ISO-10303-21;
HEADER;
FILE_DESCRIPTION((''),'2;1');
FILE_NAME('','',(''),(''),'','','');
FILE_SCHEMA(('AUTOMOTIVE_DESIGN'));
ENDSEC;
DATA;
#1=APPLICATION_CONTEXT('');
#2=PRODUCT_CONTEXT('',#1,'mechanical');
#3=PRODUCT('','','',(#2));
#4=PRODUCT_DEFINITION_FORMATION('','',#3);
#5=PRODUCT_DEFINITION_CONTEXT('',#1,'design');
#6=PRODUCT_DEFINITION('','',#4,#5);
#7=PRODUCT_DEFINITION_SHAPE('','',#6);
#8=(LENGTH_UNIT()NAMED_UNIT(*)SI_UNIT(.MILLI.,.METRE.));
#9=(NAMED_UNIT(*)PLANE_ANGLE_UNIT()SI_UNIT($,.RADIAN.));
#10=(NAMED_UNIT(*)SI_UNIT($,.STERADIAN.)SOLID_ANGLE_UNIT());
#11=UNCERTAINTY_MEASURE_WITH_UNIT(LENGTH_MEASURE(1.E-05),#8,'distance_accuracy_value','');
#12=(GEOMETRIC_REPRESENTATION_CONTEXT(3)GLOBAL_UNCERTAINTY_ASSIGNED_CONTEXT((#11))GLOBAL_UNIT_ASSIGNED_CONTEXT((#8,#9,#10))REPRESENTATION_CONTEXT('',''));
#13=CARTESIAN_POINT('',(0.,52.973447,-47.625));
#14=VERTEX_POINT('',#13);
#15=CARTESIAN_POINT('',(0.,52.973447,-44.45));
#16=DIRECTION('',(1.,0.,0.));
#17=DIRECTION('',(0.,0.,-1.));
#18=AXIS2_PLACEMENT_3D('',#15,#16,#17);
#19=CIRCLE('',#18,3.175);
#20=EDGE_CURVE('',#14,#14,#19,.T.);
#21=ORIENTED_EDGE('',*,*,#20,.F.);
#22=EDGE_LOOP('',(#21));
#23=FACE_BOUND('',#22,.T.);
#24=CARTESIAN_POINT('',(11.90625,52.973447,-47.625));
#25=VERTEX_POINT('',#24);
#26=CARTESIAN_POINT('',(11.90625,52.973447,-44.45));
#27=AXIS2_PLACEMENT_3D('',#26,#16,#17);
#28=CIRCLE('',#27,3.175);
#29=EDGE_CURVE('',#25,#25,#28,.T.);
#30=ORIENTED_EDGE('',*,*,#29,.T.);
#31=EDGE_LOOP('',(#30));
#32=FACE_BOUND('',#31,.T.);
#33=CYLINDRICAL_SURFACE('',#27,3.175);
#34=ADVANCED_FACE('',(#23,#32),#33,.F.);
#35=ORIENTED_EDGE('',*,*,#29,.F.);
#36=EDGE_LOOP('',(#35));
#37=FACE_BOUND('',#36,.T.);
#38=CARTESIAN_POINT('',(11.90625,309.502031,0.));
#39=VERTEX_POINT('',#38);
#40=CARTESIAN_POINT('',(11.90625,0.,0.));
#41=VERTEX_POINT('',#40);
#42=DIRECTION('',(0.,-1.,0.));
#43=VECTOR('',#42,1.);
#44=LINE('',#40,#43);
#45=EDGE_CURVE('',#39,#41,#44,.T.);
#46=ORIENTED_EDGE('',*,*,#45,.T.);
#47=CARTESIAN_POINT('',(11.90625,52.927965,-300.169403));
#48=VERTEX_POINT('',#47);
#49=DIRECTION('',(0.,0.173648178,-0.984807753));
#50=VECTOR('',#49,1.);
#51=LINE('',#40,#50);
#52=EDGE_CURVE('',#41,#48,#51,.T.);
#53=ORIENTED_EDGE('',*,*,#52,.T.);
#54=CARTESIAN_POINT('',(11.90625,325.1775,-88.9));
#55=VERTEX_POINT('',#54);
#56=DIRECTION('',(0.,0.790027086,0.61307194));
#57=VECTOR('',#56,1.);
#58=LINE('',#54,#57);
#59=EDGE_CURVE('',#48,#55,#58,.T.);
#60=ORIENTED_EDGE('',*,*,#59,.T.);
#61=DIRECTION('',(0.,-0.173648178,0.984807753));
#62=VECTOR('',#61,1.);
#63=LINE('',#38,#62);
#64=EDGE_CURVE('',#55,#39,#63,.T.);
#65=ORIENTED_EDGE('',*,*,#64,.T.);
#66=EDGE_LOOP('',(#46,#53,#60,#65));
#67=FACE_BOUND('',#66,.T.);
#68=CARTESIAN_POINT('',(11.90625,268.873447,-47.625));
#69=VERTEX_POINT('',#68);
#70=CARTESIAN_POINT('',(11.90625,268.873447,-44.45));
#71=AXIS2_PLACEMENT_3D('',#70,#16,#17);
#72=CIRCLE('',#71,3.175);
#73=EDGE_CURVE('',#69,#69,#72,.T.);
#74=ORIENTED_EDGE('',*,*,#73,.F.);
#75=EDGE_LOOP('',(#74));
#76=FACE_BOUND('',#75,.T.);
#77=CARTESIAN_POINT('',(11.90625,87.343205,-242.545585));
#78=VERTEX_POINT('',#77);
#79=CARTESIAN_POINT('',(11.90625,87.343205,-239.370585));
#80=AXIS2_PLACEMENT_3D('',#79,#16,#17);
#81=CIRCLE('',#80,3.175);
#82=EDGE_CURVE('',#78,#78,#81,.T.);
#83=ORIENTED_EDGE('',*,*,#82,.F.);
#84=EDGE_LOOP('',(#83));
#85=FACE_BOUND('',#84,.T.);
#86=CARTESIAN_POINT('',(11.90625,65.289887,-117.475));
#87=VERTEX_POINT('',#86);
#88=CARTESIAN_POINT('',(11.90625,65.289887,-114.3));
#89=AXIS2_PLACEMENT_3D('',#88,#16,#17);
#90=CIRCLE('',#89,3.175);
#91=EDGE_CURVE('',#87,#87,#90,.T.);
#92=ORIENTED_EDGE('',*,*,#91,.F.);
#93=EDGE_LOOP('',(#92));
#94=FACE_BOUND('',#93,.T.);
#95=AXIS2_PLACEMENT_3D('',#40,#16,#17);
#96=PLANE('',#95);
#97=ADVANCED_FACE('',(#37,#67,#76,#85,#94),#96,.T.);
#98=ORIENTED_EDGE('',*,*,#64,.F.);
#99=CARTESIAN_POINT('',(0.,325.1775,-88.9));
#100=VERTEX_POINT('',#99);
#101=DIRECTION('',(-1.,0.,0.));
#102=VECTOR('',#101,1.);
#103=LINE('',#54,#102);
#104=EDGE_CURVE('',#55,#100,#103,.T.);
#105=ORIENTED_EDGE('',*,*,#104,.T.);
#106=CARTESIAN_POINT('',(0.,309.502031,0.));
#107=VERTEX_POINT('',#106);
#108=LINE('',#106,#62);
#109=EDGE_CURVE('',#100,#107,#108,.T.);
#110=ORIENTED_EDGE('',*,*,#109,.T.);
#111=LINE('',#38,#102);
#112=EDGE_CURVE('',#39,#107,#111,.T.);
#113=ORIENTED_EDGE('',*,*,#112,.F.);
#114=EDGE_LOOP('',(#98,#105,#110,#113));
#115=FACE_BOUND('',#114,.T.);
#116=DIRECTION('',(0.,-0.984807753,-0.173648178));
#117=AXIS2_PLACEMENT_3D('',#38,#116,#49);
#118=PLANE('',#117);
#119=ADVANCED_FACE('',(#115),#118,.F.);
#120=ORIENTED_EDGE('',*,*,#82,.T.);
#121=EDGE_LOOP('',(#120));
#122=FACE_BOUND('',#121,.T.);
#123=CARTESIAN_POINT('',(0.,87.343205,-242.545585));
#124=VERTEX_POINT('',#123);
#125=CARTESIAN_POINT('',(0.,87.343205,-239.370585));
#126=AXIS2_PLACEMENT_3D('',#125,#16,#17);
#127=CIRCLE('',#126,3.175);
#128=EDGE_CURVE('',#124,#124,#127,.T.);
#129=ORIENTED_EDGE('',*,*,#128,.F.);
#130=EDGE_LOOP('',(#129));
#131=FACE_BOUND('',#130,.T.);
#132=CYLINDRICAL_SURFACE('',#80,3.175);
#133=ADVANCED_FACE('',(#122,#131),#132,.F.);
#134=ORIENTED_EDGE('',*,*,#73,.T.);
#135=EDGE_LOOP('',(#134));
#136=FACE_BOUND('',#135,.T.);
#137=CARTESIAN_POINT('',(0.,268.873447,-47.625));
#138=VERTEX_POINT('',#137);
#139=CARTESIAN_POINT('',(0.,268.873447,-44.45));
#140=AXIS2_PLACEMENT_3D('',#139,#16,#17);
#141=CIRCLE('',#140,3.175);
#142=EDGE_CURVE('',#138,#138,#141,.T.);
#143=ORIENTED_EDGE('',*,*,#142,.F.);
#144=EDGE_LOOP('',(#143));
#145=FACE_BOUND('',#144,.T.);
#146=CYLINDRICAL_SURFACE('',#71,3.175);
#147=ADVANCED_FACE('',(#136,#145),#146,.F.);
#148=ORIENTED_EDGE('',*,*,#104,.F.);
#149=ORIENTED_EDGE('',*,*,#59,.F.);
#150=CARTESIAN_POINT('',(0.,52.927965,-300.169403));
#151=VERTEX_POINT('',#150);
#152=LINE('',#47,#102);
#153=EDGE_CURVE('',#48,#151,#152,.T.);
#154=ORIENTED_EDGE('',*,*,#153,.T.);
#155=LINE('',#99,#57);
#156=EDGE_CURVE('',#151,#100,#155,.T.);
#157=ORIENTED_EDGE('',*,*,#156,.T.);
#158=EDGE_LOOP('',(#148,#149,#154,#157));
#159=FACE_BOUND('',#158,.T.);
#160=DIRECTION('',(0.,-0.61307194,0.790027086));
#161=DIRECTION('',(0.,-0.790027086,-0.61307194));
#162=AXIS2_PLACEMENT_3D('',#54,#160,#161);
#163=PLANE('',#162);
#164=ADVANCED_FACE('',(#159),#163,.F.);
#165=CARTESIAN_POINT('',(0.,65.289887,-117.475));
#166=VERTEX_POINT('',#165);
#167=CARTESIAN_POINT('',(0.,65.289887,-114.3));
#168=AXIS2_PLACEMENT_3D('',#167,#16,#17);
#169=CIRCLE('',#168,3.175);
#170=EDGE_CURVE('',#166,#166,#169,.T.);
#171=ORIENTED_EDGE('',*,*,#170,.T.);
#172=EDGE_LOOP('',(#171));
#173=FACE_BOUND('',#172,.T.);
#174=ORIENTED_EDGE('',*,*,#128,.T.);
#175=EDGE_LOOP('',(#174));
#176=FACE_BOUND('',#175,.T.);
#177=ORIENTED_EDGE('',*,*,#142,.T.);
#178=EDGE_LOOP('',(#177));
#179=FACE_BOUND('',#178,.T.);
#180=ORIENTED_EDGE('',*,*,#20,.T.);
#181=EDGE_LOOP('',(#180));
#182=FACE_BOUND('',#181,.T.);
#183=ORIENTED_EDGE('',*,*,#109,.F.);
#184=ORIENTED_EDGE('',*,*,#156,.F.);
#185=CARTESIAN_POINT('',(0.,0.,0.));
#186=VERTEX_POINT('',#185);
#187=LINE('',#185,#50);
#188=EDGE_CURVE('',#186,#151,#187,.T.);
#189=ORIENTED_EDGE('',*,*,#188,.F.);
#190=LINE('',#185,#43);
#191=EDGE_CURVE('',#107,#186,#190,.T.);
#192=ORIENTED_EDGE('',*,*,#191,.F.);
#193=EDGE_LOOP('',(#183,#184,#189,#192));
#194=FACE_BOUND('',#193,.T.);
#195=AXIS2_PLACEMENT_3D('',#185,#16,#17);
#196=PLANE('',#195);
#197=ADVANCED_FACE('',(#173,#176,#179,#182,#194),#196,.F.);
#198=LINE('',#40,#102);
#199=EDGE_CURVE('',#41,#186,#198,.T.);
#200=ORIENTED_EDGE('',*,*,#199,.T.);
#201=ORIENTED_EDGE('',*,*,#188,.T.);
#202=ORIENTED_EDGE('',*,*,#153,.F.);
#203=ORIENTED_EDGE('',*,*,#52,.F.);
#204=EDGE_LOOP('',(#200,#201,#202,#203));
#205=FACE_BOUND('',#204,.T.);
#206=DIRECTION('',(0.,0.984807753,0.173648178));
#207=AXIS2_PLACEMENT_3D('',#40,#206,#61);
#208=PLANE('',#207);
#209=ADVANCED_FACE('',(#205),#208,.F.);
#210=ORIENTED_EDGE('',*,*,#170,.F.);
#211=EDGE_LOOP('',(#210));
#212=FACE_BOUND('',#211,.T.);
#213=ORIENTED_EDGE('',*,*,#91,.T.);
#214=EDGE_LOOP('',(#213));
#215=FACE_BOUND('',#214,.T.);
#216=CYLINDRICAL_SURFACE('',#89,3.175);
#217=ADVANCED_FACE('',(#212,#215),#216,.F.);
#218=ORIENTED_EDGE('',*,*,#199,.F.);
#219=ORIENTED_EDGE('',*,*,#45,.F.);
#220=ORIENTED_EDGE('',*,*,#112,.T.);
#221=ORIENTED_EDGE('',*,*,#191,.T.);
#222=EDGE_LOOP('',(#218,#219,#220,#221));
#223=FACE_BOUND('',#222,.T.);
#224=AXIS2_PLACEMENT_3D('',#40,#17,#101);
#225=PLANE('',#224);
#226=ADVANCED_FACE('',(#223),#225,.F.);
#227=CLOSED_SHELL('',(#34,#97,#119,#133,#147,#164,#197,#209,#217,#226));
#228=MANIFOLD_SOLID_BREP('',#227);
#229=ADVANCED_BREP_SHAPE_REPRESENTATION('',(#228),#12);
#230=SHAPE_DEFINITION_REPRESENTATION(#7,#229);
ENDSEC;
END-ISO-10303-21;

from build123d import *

# Parameters (mm, degrees)
BOSS_EXTRUDE1_DEPTH         = 11.90625
F_1_4_0_25_DIAMETER_HOLE1_D = 6.35


with BuildPart() as part:
    # Sketch1 → Boss-Extrude1 (new body)
    with BuildSketch(Plane(origin=(0, 0, 0), x_dir=(0, 0, -1), z_dir=(1, 0, 0))):
        Polygon((0, 0), (0, 309.502031303), (88.9, 325.177499888), (300.169403118, 52.927964553), align=None)
    extrude(amount=BOSS_EXTRUDE1_DEPTH)

    # 1/4 (0.25) Diameter Hole1 (through all)
    with Locations(Plane(origin=(11.90625, 0, 0), x_dir=(0, 0, -1), z_dir=(1, 0, 0))):
        with Locations((44.45, 52.973447191), (114.3, 65.289886793), (239.370584633, 87.343205357), (44.45, 268.873447191)):
            Hole(F_1_4_0_25_DIAMETER_HOLE1_D / 2)


solid = part.part
